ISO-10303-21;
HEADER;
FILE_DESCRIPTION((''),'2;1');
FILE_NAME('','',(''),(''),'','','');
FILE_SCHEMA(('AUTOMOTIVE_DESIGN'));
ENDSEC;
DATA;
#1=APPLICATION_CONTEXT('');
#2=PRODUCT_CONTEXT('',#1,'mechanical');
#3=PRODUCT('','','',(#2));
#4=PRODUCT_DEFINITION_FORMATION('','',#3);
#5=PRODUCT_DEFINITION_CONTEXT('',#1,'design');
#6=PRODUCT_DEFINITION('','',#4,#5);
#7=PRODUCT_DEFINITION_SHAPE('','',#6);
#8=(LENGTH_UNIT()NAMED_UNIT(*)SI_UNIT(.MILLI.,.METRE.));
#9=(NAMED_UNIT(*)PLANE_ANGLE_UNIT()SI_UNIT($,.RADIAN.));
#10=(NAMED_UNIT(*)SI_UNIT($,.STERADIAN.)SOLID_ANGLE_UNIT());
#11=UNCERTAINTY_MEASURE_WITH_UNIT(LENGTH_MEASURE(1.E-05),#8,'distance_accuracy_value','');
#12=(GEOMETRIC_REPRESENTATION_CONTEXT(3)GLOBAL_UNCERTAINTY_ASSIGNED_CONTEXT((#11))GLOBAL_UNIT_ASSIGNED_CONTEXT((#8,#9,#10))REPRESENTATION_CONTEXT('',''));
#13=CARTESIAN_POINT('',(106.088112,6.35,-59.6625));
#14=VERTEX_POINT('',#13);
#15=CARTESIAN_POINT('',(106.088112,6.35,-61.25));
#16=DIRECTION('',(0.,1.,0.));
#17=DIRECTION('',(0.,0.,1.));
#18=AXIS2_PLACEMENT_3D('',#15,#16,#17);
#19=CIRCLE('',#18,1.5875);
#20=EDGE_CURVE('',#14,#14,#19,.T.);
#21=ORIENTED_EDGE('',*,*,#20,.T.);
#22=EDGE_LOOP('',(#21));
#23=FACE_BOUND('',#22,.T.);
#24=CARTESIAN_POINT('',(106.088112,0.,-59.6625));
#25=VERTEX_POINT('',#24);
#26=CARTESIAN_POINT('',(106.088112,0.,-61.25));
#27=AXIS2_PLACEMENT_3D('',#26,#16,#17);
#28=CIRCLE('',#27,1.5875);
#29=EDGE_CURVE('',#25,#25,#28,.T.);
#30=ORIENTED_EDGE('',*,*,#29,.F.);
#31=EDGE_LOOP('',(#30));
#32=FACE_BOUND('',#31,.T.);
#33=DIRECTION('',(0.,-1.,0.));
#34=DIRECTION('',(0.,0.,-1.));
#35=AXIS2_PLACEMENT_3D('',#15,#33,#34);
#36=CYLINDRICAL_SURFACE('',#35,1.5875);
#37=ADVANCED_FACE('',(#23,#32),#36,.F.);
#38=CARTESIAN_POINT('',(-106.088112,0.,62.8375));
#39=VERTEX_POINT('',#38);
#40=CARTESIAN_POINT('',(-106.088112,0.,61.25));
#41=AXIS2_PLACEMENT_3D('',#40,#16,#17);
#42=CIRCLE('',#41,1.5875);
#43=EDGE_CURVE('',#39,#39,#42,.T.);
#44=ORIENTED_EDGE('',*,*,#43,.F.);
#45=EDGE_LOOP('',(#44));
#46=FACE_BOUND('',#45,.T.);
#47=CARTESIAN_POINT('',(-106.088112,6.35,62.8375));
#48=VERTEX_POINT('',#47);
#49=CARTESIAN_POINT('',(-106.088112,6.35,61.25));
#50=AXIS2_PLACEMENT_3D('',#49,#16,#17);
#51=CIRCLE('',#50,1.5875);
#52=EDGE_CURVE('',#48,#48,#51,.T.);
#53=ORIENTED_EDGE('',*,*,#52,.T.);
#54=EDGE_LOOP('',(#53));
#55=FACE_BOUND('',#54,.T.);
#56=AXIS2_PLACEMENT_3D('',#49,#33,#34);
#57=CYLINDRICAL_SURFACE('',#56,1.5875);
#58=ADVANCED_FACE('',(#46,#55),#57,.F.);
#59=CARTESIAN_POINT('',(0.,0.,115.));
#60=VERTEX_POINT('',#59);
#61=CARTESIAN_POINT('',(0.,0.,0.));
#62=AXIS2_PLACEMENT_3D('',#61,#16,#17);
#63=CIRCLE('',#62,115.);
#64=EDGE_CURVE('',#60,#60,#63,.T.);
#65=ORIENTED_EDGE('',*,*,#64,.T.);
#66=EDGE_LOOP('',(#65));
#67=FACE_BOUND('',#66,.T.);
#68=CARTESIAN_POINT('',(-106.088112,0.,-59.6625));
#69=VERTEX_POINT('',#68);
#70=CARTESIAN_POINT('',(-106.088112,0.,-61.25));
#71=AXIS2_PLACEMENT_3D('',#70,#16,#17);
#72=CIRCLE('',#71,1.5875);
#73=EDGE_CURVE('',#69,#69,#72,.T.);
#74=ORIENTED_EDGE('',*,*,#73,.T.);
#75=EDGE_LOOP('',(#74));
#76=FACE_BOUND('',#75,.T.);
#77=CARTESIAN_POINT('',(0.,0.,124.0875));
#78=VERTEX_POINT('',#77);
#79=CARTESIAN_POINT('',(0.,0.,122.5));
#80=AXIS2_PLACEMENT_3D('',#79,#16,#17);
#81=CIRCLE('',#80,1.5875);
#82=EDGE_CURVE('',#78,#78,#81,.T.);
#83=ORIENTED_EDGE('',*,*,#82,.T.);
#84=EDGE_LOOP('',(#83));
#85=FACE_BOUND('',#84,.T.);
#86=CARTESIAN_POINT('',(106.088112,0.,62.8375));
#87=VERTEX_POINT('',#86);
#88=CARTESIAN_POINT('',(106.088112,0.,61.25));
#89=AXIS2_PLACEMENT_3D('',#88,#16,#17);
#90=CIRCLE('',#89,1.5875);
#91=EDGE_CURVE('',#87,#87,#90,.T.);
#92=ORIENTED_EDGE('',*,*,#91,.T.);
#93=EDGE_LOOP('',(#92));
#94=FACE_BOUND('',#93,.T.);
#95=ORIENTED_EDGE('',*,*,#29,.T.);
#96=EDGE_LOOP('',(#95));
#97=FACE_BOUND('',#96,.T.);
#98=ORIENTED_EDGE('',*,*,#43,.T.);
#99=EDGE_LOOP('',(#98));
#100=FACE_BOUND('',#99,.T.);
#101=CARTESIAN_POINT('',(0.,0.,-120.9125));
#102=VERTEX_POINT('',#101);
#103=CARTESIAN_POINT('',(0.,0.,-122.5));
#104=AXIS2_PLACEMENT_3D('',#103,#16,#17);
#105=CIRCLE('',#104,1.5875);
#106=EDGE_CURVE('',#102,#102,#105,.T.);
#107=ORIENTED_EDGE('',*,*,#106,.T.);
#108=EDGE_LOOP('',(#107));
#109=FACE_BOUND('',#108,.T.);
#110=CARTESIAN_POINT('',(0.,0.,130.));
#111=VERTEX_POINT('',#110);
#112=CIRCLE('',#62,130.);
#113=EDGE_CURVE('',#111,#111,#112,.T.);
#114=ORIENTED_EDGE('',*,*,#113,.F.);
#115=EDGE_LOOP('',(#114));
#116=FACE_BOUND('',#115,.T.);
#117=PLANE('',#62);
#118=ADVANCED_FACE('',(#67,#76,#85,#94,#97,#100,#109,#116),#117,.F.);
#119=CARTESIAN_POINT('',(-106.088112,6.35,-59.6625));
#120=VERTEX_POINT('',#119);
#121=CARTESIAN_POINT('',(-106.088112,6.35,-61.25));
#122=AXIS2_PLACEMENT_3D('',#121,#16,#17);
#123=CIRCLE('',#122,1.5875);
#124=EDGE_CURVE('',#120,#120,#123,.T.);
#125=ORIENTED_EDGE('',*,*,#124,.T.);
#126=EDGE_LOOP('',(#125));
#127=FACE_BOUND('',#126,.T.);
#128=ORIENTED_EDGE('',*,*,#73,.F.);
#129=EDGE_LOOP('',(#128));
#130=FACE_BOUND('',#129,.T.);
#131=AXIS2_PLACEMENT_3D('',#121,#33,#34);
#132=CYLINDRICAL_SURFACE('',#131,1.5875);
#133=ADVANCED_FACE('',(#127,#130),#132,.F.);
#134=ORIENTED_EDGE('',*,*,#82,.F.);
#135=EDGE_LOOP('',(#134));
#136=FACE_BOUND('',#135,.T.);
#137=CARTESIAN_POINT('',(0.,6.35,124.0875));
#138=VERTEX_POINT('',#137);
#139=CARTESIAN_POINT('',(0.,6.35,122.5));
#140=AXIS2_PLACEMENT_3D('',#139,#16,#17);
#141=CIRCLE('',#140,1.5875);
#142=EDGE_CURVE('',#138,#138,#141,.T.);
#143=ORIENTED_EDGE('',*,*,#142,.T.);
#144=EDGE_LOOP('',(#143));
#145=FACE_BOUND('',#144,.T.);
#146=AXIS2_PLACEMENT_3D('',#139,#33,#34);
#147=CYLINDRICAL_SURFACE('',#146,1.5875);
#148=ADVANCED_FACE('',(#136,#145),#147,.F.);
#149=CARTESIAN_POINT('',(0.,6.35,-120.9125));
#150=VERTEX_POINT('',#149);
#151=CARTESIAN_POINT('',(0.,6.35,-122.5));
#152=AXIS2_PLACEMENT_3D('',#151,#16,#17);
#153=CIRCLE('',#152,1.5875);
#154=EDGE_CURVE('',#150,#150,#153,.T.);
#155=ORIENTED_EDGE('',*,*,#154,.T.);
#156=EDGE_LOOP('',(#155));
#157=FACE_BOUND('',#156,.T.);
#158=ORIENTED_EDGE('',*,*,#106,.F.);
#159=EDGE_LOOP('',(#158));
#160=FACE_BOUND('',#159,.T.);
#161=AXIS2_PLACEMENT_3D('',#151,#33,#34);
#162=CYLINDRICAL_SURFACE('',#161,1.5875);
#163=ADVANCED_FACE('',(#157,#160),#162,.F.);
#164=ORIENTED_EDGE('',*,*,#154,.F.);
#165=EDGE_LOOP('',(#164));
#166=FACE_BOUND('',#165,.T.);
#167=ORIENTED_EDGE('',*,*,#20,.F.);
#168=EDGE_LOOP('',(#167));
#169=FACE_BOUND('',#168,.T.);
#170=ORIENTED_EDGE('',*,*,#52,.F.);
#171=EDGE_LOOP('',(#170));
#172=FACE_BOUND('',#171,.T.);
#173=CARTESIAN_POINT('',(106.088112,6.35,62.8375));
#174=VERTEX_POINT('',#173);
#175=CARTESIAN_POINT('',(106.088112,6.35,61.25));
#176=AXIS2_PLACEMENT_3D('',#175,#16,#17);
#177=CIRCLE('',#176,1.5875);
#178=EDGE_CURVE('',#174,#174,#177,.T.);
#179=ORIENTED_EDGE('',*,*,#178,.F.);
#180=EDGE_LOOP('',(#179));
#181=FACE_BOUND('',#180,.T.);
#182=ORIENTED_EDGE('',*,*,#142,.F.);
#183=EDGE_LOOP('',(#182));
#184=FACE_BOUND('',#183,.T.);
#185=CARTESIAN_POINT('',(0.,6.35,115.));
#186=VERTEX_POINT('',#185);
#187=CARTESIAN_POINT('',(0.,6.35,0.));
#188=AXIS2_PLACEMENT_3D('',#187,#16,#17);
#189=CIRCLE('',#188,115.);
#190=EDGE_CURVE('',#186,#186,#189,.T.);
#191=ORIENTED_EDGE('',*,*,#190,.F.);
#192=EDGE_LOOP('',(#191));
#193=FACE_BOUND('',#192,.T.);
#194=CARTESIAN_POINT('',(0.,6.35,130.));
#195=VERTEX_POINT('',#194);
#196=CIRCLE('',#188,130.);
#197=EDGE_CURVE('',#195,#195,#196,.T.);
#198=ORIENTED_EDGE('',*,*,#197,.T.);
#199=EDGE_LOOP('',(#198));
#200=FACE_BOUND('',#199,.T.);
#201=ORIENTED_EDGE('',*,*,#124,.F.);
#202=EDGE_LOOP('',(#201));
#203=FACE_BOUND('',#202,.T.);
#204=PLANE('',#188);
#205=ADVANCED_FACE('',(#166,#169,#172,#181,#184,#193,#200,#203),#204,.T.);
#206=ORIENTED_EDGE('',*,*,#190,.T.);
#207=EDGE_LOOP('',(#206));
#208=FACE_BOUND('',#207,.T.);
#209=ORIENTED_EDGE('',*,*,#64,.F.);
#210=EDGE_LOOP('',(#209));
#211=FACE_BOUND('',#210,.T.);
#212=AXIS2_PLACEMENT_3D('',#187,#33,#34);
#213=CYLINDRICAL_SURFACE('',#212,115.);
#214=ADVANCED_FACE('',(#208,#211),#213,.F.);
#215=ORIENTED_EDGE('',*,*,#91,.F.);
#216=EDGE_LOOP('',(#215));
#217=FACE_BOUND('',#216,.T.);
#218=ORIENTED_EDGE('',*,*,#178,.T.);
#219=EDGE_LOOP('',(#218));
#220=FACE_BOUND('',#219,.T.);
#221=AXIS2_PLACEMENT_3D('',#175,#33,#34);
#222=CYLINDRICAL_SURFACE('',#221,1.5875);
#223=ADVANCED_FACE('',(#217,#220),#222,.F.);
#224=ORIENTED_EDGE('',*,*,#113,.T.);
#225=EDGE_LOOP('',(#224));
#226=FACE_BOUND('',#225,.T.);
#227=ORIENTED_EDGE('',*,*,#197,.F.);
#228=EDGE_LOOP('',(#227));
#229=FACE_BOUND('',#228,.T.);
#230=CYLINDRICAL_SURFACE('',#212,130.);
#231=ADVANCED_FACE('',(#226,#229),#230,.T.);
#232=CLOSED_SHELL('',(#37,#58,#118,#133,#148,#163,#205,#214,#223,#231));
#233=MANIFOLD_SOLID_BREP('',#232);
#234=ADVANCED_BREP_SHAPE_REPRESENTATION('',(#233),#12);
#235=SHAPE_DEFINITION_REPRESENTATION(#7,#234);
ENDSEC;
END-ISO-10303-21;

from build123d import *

# Parameters (mm, degrees)
SKETCH1_R           = 130
SKETCH1_R_2         = 1.5875
SKETCH1_R_3         = 115
BOSS_EXTRUDE1_DEPTH = 6.35


with BuildPart() as part:
    # Sketch1 → Boss-Extrude1 (new body)
    with BuildSketch(Plane(origin=(0, 0, 0), x_dir=(1, 0, 0), z_dir=(0, 1, 0))):
        Circle(SKETCH1_R)
        with Locations((-106.088111964, 61.25)):
            Circle(SKETCH1_R_2, mode=Mode.SUBTRACT)
        with Locations((-106.088111964, -61.25)):
            Circle(SKETCH1_R_2, mode=Mode.SUBTRACT)
        with Locations((0, -122.5)):
            Circle(SKETCH1_R_2, mode=Mode.SUBTRACT)
        with Locations((106.088111964, -61.25)):
            Circle(SKETCH1_R_2, mode=Mode.SUBTRACT)
        with Locations((106.088111964, 61.25)):
            Circle(SKETCH1_R_2, mode=Mode.SUBTRACT)
        with Locations((0, 122.5)):
            Circle(SKETCH1_R_2, mode=Mode.SUBTRACT)
        Circle(SKETCH1_R_3, mode=Mode.SUBTRACT)
    extrude(amount=BOSS_EXTRUDE1_DEPTH)


solid = part.part
